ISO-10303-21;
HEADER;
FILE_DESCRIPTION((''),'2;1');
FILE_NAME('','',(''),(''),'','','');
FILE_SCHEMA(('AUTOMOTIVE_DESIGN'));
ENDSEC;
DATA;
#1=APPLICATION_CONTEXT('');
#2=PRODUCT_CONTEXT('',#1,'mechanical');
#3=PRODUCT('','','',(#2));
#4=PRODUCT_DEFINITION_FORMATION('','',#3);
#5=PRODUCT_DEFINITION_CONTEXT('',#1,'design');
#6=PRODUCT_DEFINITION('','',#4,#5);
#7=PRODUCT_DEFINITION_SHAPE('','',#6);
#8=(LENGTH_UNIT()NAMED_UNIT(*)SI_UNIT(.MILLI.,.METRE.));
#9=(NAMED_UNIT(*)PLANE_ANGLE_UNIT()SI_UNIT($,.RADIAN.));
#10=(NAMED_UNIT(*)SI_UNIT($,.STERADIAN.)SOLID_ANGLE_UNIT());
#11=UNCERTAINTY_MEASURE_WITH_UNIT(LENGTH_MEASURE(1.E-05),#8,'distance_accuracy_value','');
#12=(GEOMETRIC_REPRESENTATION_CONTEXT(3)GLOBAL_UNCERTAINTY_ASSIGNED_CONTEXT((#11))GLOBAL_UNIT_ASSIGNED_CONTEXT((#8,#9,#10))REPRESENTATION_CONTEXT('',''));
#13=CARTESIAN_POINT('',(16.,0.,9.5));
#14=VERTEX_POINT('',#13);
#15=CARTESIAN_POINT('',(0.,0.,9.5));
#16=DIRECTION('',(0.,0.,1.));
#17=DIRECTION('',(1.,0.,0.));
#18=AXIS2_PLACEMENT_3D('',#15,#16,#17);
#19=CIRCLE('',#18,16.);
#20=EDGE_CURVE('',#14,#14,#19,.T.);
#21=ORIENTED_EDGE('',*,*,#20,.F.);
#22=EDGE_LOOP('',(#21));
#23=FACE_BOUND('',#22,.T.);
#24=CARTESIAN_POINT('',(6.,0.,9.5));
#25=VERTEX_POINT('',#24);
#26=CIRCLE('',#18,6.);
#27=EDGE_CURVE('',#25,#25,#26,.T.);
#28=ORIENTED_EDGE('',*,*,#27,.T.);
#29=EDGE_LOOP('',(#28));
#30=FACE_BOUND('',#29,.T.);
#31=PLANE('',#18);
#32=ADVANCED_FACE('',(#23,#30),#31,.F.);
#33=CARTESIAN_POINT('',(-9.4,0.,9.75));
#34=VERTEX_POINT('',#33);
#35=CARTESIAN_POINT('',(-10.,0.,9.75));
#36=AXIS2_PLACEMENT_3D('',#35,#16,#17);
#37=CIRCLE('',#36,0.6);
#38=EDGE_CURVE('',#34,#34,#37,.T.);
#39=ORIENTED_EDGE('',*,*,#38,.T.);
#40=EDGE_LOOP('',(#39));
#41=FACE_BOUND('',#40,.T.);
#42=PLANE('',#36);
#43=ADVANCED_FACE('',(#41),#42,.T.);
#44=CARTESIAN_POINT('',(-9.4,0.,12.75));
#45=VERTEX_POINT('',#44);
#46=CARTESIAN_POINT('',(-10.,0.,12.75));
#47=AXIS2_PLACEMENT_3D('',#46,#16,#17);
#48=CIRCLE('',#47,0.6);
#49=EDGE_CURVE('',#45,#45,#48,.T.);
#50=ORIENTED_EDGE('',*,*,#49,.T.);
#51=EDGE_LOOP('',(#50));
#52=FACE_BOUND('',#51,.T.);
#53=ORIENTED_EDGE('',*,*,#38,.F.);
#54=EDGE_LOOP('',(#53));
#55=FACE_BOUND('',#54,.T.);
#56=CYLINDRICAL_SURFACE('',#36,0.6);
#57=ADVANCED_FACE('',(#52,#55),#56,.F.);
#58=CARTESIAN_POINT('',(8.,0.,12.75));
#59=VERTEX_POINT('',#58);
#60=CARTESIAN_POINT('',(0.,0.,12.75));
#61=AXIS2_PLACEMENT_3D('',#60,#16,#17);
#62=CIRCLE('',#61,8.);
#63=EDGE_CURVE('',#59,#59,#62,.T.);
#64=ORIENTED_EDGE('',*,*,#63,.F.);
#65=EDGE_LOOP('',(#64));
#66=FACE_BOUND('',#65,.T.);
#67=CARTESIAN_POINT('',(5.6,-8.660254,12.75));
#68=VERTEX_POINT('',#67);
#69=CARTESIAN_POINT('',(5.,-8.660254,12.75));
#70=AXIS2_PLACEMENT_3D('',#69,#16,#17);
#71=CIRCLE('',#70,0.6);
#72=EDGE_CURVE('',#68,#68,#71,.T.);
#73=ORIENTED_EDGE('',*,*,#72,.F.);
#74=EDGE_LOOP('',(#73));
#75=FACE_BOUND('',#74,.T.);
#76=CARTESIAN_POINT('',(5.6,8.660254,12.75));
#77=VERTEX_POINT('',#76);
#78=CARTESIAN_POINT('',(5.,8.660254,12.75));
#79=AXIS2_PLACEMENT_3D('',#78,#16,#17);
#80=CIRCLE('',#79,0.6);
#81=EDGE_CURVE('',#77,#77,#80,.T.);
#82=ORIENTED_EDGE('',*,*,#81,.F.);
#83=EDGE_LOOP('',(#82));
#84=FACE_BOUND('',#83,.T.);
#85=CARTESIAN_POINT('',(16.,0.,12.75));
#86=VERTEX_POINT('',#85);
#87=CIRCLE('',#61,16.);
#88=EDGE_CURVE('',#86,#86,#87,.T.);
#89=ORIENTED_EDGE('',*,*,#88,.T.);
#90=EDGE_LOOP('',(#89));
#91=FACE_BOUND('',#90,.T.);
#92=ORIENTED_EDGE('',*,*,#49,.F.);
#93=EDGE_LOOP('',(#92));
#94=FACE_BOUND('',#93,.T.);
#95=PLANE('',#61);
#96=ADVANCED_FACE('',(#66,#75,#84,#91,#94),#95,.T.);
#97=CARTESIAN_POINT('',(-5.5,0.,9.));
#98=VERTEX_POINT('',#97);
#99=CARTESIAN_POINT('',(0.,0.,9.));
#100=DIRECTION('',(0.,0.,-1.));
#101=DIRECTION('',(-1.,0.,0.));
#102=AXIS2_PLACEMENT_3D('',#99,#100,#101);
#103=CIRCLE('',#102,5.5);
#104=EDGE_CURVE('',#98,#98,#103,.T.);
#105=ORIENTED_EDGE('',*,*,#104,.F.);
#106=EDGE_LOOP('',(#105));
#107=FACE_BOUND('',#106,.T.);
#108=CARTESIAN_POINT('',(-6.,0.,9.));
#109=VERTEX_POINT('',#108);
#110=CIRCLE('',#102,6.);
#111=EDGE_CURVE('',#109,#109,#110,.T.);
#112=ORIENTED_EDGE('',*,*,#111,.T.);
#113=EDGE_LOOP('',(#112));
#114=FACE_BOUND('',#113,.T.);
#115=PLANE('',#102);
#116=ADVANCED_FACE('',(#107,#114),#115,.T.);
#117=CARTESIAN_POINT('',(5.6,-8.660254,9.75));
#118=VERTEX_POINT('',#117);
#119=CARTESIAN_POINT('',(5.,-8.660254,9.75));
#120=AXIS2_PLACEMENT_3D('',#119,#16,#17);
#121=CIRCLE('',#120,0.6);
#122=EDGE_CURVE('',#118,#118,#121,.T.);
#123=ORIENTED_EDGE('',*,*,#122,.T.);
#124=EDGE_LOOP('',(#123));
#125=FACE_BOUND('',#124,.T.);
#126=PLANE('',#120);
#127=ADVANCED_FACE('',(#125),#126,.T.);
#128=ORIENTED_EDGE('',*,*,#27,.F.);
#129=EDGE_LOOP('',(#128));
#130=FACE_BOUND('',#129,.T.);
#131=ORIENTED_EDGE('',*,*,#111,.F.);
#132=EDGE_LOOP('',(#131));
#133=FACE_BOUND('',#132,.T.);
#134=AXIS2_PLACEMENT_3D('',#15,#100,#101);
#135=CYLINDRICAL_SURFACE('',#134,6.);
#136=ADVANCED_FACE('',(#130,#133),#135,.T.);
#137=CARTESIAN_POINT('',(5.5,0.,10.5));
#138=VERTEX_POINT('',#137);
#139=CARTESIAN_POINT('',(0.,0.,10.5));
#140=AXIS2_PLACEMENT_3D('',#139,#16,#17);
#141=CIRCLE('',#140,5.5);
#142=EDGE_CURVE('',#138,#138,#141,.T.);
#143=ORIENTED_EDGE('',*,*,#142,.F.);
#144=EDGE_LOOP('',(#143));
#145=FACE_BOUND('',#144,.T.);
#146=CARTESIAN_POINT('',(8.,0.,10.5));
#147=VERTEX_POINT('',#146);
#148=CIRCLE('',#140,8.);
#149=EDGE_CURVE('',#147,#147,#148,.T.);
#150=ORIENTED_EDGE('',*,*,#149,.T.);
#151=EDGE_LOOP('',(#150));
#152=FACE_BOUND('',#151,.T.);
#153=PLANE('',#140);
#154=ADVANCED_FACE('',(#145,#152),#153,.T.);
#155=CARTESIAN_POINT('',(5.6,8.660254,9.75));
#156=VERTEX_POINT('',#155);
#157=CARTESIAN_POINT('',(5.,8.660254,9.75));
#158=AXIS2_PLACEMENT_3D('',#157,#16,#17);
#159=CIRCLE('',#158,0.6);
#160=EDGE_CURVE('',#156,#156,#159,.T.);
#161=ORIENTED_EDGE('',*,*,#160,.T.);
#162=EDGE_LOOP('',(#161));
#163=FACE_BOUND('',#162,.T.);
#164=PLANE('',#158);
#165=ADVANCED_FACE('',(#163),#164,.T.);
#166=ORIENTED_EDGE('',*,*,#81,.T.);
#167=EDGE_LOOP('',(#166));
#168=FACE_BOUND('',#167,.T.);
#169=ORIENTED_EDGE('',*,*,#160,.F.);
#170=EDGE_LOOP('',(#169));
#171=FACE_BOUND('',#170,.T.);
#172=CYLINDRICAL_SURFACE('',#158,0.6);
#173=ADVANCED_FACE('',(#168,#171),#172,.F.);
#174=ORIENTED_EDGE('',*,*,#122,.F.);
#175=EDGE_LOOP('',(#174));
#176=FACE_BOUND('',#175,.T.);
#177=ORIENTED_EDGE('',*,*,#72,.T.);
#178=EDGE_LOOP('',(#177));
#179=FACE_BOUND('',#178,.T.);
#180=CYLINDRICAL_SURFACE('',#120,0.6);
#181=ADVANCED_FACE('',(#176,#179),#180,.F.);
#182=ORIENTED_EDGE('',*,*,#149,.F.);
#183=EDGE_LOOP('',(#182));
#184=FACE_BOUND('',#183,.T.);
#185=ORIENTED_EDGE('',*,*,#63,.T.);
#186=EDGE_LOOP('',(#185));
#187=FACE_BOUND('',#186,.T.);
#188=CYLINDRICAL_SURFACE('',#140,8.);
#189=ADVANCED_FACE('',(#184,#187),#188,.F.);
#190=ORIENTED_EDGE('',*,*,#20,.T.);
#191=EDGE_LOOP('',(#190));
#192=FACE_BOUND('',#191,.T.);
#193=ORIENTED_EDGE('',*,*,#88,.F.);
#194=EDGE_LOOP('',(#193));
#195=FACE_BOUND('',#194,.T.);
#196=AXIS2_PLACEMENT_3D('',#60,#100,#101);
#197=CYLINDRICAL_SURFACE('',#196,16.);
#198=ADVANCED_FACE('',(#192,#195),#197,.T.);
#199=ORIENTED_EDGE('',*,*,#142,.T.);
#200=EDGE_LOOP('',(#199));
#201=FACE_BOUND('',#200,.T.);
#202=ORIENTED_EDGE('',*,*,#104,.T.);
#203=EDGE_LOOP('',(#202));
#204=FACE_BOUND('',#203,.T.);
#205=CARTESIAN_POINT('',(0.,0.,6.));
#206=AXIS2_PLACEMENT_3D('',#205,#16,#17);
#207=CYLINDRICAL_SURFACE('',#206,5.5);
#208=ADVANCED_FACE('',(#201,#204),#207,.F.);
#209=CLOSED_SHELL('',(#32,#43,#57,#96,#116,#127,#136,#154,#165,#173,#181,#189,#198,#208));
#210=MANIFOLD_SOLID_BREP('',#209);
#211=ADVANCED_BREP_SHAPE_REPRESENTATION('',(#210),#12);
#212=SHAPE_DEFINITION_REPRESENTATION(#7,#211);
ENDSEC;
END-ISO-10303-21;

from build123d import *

# Parameters (mm, degrees)
SKETCH_1_R          = 16
EXTRUDE_1_DEPTH     = 9
SKETCH_2_R          = 6
EXTRUDE_2_DEPTH     = 0.5
SKETCH_3_R          = 16
EXTRUDE_3_DEPTH     = 3.25
SKETCH_4_R          = 5.5
EXTRUDE_4_DEPTH     = 2.25
SKETCH_5_R          = 3
CUT_EXTRUDE_1_DEPTH = 26.25
SKETCH_6_R          = 8
SKETCH_6_R_2        = 5.5
CUT_EXTRUDE_2_DEPTH = 2.25
SKETCH_7_R          = 0.6
CUT_EXTRUDE_3_DEPTH = 6
SKETCH_8_R          = 0.6
CUT_EXTRUDE_4_DEPTH = 3
SKETCH_9_R          = 28.808997231
CUT_EXTRUDE_5_DEPTH = 9
SKETCH_10_R         = 5.5
CUT_EXTRUDE_6_DEPTH = 9


with BuildPart() as part:
    # 草图1 → 凸台-拉伸1 (new body)
    with BuildSketch(Plane.XY):
        Circle(SKETCH_1_R)
    extrude(amount=EXTRUDE_1_DEPTH)

    # 草图2 → 凸台-拉伸2 (add)
    with BuildSketch(Plane.XY.offset(9)):
        Circle(SKETCH_2_R)
    extrude(amount=EXTRUDE_2_DEPTH)

    # 草图3 → 凸台-拉伸3 (add)
    with BuildSketch(Plane.XY.offset(9.5)):
        Circle(SKETCH_3_R)
    extrude(amount=EXTRUDE_3_DEPTH)

    # 草图4 → 凸台-拉伸4 (add)
    with BuildSketch(Plane.XY.offset(12.75)):
        Circle(SKETCH_4_R)
    extrude(amount=EXTRUDE_4_DEPTH)

    # 草图5 → 切除-拉伸1 (cut)
    with BuildSketch(Plane.XY.offset(15)):
        Circle(SKETCH_5_R)
    extrude(amount=-CUT_EXTRUDE_1_DEPTH, mode=Mode.SUBTRACT)

    # 草图6 → 切除-拉伸2 (cut)
    with BuildSketch(Plane.XY.offset(12.75)):
        Circle(SKETCH_6_R)
        Circle(SKETCH_6_R_2, mode=Mode.SUBTRACT)
    extrude(amount=-CUT_EXTRUDE_2_DEPTH, mode=Mode.SUBTRACT)

    # 草图7 → 切除-拉伸3 (cut)
    with BuildSketch(Plane(origin=(0, 0, 0), x_dir=(-1, 0, 0), z_dir=(0, 0, -1))):
        with Locations((8.660254038, 5)):
            Circle(SKETCH_7_R)
        with Locations((-8.660254038, 5)):
            Circle(SKETCH_7_R)
        with Locations((0, -10)):
            Circle(SKETCH_7_R)
    extrude(amount=-CUT_EXTRUDE_3_DEPTH, mode=Mode.SUBTRACT)

    # 草图8 → 切除-拉伸4 (cut)
    with BuildSketch(Plane.XY.offset(12.75)):
        with Locations((5, -8.660254038)):
            Circle(SKETCH_8_R)
        with Locations((5, 8.660254038)):
            Circle(SKETCH_8_R)
        with Locations((-10, 0)):
            Circle(SKETCH_8_R)
    extrude(amount=-CUT_EXTRUDE_4_DEPTH, mode=Mode.SUBTRACT)

    # 草图9 → 切除-拉伸5 (cut)
    with BuildSketch(Plane(origin=(0, 0, 0), x_dir=(-1, 0, 0), z_dir=(0, 0, -1))):
        Circle(SKETCH_9_R)
    extrude(amount=-CUT_EXTRUDE_5_DEPTH, mode=Mode.SUBTRACT)

    # 草图10 → 切除-拉伸6 (cut)
    with BuildSketch(Plane.XY.offset(15)):
        Circle(SKETCH_10_R)
    extrude(amount=-CUT_EXTRUDE_6_DEPTH, mode=Mode.SUBTRACT)


solid = part.part
